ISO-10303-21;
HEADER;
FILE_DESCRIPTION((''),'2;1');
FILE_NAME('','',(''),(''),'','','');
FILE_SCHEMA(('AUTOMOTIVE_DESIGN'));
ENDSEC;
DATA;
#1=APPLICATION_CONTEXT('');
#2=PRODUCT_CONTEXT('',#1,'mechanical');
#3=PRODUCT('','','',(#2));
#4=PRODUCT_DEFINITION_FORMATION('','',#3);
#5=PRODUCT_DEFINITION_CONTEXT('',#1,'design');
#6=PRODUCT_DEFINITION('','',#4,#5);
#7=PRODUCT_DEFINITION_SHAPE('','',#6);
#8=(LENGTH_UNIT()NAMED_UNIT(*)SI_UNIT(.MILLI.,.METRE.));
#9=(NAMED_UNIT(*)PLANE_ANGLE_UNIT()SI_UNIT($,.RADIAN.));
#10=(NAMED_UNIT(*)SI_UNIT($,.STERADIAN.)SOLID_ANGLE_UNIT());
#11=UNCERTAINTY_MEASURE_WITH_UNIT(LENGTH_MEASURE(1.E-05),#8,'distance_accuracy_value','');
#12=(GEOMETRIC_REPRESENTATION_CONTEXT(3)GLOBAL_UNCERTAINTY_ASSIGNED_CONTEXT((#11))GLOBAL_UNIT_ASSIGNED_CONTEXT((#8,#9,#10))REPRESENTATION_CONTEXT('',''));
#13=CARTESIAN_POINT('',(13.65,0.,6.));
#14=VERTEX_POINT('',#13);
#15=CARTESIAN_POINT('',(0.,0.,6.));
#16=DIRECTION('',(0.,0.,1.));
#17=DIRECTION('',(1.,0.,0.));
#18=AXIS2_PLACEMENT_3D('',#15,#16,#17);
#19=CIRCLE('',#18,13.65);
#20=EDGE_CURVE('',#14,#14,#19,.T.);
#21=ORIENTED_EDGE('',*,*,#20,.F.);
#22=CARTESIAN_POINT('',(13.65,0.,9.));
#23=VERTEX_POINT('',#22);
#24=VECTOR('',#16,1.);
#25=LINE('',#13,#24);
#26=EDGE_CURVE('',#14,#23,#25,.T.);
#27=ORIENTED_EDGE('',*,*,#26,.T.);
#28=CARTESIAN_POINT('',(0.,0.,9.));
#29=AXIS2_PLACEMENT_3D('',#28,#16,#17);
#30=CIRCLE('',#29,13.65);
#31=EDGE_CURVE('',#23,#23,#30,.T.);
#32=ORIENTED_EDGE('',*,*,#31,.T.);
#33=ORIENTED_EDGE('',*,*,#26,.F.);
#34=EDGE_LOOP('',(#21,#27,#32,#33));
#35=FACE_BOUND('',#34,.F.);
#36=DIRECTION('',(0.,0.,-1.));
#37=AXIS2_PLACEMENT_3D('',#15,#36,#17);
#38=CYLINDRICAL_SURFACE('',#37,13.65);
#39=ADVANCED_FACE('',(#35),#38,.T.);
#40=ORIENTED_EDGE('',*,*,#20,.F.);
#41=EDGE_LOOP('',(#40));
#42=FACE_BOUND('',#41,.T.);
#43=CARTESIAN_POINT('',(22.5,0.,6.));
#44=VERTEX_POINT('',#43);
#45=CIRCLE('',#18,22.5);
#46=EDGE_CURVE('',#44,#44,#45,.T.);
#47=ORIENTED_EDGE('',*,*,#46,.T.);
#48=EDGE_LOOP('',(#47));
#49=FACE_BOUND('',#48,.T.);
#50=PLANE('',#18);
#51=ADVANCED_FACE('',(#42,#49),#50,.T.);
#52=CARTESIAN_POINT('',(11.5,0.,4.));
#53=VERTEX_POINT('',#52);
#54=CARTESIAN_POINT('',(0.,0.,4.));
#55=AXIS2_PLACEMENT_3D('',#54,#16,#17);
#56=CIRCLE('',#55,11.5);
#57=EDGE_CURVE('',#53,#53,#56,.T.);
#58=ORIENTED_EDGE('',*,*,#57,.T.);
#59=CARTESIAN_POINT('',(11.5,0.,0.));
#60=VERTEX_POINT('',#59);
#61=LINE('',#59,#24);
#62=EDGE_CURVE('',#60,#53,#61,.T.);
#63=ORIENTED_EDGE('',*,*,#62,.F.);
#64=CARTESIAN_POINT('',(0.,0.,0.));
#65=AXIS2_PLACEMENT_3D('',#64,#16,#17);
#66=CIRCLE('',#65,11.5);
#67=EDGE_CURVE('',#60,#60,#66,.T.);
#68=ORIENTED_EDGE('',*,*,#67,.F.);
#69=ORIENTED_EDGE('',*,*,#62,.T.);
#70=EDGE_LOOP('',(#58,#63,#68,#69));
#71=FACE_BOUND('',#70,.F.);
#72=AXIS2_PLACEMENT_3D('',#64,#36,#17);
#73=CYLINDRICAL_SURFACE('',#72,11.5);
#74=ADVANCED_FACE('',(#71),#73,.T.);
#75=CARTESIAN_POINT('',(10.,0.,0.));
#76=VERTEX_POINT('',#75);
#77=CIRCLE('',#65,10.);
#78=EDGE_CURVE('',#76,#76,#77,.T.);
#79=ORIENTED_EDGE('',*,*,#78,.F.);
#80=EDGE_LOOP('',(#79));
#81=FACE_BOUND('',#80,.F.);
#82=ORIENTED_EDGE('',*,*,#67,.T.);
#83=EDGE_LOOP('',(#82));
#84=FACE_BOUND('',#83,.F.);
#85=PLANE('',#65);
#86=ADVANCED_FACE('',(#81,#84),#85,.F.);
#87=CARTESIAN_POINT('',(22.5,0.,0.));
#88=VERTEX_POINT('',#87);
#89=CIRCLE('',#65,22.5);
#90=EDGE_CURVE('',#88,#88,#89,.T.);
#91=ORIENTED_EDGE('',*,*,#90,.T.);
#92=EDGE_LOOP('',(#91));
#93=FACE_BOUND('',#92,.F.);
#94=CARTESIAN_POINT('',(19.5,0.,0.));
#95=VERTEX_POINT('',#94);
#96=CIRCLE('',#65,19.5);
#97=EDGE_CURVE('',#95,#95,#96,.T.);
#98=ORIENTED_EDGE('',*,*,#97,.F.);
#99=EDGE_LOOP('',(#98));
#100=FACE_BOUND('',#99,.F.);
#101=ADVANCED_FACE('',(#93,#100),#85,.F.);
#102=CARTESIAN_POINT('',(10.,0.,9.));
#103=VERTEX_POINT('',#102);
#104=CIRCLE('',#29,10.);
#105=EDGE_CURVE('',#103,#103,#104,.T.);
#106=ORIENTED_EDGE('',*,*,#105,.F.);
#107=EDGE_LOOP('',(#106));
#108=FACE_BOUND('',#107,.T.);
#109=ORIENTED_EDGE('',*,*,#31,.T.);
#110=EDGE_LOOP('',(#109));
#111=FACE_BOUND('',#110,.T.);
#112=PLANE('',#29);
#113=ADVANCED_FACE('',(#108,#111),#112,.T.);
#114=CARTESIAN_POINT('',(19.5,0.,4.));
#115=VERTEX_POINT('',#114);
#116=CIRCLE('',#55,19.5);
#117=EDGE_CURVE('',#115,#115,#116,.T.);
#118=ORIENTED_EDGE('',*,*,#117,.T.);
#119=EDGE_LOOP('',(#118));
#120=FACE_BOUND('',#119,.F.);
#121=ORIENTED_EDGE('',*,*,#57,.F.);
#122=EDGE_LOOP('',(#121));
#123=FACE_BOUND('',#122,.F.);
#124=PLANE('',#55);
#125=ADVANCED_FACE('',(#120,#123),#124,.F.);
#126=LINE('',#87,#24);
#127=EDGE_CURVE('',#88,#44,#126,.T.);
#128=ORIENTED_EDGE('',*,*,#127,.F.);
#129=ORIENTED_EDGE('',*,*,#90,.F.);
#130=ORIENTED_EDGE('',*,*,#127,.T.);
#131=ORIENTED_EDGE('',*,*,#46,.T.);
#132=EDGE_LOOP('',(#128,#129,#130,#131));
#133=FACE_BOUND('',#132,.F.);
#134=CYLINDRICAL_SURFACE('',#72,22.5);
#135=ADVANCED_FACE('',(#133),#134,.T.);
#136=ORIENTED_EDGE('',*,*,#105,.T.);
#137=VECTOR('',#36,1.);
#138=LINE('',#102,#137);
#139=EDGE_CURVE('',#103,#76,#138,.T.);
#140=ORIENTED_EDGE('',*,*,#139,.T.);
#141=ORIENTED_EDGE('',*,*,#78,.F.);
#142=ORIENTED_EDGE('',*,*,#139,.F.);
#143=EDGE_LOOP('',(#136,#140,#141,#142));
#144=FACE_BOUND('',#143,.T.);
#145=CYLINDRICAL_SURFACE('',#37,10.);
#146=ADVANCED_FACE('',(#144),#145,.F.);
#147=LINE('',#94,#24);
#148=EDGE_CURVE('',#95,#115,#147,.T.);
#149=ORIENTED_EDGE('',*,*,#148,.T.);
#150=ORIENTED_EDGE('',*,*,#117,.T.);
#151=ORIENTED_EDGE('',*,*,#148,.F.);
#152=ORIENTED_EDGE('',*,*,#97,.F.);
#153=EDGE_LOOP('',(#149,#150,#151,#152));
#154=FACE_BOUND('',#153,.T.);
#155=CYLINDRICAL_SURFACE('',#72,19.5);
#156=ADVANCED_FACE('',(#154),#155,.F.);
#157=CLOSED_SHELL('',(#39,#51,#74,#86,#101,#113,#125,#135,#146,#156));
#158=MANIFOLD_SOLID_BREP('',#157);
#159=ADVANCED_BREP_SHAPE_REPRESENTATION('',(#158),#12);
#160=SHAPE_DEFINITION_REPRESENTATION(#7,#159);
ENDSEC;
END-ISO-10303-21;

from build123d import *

# Parameters (mm, degrees)
F0_R     = 22.5
F0_R_2   = 10
F1_DEPTH = 6
F2_R     = 13.65
F2_R_2   = 10
F3_DEPTH = 3
F4_R     = 19.5
F4_R_2   = 11.5
F5_DEPTH = 4


with BuildPart() as f1:
    # F0 (on Top) → F1 (new body)
    with BuildSketch(Plane.XY):
        Circle(F0_R)
        Circle(F0_R_2, mode=Mode.SUBTRACT)
    extrude(amount=F1_DEPTH)

    # F2 (on face) → F3 (join)
    with BuildSketch(Plane.XY.offset(6)):
        Circle(F2_R)
        Circle(F2_R_2, mode=Mode.SUBTRACT)
    extrude(amount=F3_DEPTH)

    # F4 (on face) → F5 (cut)
    with BuildSketch(Plane.XY):
        Circle(F4_R)
        Circle(F4_R_2, mode=Mode.SUBTRACT)
    extrude(amount=F5_DEPTH, mode=Mode.SUBTRACT)


solid = f1.part
